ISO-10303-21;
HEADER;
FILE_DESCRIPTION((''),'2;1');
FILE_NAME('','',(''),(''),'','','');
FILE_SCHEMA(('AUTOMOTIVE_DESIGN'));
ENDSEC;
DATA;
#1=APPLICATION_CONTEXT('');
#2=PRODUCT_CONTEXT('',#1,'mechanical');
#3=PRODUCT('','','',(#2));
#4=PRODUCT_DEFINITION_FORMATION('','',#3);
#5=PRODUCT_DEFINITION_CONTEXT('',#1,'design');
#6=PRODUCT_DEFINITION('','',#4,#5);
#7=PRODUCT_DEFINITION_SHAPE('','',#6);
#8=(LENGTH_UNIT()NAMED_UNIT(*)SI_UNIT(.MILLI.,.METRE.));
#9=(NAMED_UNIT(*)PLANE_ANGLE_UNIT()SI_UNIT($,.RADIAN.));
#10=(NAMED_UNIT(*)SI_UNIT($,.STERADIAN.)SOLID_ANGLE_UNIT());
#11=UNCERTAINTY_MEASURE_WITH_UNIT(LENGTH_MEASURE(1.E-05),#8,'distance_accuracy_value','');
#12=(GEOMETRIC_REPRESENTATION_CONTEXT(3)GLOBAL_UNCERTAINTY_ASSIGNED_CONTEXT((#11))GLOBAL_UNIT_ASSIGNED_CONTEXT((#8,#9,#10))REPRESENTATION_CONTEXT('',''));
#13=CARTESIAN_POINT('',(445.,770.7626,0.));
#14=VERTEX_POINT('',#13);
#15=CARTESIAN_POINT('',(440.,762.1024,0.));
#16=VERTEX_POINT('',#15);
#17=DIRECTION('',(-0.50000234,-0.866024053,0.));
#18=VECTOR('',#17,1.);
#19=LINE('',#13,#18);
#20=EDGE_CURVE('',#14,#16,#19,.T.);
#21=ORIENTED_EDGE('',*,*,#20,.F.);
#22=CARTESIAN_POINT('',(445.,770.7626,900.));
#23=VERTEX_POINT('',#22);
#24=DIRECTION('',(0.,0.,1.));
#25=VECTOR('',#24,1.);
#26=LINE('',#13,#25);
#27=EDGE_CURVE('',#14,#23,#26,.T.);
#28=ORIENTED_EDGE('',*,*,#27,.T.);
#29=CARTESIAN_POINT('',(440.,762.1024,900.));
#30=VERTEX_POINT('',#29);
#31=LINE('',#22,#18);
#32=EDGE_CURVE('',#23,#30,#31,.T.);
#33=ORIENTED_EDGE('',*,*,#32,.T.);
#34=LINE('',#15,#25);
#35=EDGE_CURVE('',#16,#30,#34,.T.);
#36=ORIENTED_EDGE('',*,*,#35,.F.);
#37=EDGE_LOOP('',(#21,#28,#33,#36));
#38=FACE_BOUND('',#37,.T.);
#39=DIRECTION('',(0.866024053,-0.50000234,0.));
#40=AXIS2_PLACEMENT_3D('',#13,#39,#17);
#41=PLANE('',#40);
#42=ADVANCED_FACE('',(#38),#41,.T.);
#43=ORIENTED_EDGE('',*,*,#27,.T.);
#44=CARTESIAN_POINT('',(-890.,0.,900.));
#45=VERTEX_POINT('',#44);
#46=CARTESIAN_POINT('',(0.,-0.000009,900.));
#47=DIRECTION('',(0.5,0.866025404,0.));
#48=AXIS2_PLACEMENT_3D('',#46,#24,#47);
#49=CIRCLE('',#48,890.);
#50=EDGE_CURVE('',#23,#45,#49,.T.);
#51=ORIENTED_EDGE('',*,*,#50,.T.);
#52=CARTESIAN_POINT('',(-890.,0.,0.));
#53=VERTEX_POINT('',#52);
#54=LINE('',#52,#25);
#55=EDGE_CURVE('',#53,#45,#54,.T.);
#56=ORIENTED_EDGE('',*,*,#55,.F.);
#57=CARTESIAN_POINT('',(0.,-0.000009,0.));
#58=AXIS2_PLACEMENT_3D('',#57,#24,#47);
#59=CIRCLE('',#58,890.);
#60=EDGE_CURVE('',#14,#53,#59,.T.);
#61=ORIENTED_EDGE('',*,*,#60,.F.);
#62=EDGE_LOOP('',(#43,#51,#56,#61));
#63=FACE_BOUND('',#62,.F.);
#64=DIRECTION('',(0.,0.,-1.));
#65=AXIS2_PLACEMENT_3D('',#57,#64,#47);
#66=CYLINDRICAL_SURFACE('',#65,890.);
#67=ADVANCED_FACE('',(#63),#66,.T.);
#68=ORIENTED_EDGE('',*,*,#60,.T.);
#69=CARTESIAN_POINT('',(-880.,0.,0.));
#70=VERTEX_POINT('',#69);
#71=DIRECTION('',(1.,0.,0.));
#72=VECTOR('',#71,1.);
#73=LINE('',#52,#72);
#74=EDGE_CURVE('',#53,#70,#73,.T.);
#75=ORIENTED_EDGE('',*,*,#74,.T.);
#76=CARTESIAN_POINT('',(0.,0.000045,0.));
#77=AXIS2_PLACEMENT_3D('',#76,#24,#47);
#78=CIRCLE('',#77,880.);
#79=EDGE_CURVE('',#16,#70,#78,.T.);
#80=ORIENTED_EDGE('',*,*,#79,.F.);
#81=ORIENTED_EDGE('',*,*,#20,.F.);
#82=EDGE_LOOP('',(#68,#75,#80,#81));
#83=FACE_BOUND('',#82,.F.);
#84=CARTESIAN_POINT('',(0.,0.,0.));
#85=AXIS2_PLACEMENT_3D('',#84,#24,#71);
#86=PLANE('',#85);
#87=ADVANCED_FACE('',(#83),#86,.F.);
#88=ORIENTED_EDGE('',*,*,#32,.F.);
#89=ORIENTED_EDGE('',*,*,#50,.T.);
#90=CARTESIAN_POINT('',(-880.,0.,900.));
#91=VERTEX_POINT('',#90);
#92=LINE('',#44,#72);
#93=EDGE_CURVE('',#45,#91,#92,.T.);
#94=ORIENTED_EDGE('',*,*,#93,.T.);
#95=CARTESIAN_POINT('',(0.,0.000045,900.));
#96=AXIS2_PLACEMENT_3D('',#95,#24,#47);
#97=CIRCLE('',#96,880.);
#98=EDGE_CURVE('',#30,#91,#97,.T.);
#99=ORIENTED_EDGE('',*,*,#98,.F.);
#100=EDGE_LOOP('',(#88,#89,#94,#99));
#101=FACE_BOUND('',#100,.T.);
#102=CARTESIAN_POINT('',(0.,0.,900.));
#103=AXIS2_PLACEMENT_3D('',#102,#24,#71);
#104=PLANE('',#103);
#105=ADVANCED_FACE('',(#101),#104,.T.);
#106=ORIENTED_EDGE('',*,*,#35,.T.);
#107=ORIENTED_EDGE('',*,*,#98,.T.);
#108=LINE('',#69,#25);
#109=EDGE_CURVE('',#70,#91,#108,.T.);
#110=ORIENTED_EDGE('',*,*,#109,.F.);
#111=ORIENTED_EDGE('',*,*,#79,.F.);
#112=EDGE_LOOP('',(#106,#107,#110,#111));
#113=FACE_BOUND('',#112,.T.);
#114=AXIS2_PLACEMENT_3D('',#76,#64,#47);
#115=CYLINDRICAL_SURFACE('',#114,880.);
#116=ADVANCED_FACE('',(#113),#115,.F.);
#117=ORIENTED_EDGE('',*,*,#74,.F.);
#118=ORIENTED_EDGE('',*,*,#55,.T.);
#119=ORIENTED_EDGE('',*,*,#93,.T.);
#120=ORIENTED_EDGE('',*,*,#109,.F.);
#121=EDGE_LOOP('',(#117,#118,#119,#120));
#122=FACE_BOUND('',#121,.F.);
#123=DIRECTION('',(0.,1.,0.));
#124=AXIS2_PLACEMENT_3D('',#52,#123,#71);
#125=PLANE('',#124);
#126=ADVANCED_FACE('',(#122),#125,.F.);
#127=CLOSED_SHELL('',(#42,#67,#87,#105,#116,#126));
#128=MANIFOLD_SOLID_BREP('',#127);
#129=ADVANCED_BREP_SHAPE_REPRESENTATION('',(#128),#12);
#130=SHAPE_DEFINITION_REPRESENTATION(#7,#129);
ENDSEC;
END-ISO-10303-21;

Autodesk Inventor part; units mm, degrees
ref_plane "YZ Plane" through (0, 0, 0) normal (1, 0, 0) x (0, 1, 0)
ref_plane "XZ Plane" through (0, 0, 0) normal (0, 1, 0) x (-1, 0, 0)
ref_plane "XY Plane" through (0, 0, 0) normal (0, 0, 1) x (1, 0, 0)
sketch "Sketch1" plane through (0, 0, 0) normal (0, 0, 1) x (1, 0, 0)
  arc A0 (445, 770.7626) -> (-890, 0) centre (0, 0) ccw
  arc A1 (440, 762.1024) -> (-880, 0) centre (0, 0) ccw
  line L0 (-890, 0) -> (-880, 0)
  line L1 (445, 770.7626) -> (440, 762.1024)
  dimension "d0" = 10
  dimension "d1" = 890
  dimension "d2" = 0
  dimension "d6" = 120
extrude "Extrusion1" add sketch "Sketch1" along normal blind 900
equation "\"d0\" = thickness"
equation "\"d1\" = cover_height_main - thickness"
equation "\"d4\" = cover_mountHole_xSpacing"
equation "\"thickness\" = 10"
equation "\"cover_height_main\" = 900"
equation "\"cover_mountHole_xSpacing\" = 900"
equation "\"hoop_angle_z\" = 45deg"
equation "\"hoop_bearing_length\" = 5deg"
equation "\"hoop_cable_diam\" = 5"
equation "\"hoop_cable_pulley_diam\" = 22"
equation "\"rack_tooth_addendum\" = 5"
equation "\"rack_tooth_dedendum\" = 5"
equation "\"rack_tooth_thickness\" = 5"
equation "\"secure_arm_angle\" = 20deg"
equation "\"secure_arm_hold_length\" = 35"
equation "\"secure_arm_radii\" = 9"
equation "\"support_baseClamp_platformLengthBuffer\" = 35"
equation "\"support_baseClamp_platformThickness\" = 15"
equation "\"support_baseClamp_platformWidthBuffer\" = 0"
equation "\"support_baseClamp_sleeveHoleDiameter\" = 12"
equation "\"support_baseClamp_sleeveSweepTerminationAngle\" = 55deg"
equation "\"support_baseClamp_thickness\" = 8"
equation "\"support_frame_endHoleBuffer\" = 25"
equation "\"support_frame_squareBarFillet\" = 2"
equation "\"support_frame_squareBarThickness\" = 5"
equation "\"hoop_tabs_thickness\" = 6"
equation "\"hoop_tabs_hole\" = 4"
equation "\"wheelchair_deployed_width\" = 635"
equation "\"wheelchair_deployed_length\" = 1067"
equation "\"wheelchair_deployed_height\" = 914"
properties part number "cover2_shell_small"
